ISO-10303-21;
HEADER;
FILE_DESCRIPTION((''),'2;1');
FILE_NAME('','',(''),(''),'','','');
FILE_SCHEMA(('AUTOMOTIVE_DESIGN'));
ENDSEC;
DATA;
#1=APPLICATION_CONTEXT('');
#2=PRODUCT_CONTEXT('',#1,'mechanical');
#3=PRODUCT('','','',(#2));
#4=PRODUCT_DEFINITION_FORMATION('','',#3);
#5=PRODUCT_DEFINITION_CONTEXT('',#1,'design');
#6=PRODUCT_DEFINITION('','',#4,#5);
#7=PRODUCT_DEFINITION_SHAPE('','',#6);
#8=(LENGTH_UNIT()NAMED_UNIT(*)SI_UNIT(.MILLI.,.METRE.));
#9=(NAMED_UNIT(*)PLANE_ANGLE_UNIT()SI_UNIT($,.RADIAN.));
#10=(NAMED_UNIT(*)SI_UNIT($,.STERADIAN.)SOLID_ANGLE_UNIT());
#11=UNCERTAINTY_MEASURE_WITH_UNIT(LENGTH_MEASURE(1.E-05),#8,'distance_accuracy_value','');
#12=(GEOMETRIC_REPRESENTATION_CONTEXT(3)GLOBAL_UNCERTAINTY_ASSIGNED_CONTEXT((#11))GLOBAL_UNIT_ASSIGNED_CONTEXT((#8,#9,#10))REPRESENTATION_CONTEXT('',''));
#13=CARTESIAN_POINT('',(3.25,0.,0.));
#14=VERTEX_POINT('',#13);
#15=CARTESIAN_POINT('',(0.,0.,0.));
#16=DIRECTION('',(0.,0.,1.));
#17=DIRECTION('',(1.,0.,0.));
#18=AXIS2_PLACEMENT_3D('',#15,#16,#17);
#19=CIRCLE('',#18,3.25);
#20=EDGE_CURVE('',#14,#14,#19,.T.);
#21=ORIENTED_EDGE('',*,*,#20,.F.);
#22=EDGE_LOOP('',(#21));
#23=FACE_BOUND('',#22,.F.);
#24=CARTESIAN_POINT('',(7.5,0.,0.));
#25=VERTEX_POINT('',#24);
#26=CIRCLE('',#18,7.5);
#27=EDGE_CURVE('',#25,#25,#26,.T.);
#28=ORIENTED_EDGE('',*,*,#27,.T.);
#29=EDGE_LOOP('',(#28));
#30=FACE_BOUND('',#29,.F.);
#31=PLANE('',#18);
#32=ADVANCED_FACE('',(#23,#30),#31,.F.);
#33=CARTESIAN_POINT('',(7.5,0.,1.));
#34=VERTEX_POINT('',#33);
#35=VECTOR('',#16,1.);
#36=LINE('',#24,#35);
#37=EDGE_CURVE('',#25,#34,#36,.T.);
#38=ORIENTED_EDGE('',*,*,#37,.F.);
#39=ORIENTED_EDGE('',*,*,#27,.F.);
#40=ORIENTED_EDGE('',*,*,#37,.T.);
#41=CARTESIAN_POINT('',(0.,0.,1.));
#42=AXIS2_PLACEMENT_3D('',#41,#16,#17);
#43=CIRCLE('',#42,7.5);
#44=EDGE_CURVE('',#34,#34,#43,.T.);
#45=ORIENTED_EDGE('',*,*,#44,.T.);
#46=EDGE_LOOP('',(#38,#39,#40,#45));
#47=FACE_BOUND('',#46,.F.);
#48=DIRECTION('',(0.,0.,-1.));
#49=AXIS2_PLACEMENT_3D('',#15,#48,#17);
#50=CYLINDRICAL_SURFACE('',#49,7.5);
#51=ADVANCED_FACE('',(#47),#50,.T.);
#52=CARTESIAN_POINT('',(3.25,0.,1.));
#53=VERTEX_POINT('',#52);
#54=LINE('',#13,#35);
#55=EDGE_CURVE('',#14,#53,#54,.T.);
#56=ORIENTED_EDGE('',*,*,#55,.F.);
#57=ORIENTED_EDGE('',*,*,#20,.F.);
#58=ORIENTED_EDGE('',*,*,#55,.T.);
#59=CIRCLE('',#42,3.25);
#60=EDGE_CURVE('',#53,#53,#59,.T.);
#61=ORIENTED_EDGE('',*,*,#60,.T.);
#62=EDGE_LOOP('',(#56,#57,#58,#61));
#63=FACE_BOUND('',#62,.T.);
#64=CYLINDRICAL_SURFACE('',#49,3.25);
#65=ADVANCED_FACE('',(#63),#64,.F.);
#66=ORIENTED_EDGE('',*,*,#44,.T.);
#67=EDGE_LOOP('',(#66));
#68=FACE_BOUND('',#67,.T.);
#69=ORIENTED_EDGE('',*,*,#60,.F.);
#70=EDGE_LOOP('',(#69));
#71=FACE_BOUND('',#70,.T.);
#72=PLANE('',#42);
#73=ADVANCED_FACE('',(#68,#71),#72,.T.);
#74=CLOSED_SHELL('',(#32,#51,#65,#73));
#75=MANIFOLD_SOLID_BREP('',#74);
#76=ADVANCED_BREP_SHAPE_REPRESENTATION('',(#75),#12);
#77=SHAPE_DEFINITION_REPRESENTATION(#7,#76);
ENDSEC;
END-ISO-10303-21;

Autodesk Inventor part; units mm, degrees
ref_plane "YZ Plane" through (0, 0, 0) normal (1, 0, 0) x (0, 1, 0)
ref_plane "XZ Plane" through (0, 0, 0) normal (0, 1, 0) x (-1, 0, 0)
ref_plane "XY Plane" through (0, 0, 0) normal (0, 0, 1) x (1, 0, 0)
sketch "Эскиз1" plane through (0, 0, 0) normal (0, 0, 1) x (1, 0, 0)
  circle A0 centre (0, 0) radius 3.25
  circle A1 centre (0, 0) radius 7.5
  dimension "d0" = 6.5
  dimension "d1" = 15
extrude "Выдавливание1" add sketch "Эскиз1" along normal blind 1
properties part number "Шайба M6x15"
